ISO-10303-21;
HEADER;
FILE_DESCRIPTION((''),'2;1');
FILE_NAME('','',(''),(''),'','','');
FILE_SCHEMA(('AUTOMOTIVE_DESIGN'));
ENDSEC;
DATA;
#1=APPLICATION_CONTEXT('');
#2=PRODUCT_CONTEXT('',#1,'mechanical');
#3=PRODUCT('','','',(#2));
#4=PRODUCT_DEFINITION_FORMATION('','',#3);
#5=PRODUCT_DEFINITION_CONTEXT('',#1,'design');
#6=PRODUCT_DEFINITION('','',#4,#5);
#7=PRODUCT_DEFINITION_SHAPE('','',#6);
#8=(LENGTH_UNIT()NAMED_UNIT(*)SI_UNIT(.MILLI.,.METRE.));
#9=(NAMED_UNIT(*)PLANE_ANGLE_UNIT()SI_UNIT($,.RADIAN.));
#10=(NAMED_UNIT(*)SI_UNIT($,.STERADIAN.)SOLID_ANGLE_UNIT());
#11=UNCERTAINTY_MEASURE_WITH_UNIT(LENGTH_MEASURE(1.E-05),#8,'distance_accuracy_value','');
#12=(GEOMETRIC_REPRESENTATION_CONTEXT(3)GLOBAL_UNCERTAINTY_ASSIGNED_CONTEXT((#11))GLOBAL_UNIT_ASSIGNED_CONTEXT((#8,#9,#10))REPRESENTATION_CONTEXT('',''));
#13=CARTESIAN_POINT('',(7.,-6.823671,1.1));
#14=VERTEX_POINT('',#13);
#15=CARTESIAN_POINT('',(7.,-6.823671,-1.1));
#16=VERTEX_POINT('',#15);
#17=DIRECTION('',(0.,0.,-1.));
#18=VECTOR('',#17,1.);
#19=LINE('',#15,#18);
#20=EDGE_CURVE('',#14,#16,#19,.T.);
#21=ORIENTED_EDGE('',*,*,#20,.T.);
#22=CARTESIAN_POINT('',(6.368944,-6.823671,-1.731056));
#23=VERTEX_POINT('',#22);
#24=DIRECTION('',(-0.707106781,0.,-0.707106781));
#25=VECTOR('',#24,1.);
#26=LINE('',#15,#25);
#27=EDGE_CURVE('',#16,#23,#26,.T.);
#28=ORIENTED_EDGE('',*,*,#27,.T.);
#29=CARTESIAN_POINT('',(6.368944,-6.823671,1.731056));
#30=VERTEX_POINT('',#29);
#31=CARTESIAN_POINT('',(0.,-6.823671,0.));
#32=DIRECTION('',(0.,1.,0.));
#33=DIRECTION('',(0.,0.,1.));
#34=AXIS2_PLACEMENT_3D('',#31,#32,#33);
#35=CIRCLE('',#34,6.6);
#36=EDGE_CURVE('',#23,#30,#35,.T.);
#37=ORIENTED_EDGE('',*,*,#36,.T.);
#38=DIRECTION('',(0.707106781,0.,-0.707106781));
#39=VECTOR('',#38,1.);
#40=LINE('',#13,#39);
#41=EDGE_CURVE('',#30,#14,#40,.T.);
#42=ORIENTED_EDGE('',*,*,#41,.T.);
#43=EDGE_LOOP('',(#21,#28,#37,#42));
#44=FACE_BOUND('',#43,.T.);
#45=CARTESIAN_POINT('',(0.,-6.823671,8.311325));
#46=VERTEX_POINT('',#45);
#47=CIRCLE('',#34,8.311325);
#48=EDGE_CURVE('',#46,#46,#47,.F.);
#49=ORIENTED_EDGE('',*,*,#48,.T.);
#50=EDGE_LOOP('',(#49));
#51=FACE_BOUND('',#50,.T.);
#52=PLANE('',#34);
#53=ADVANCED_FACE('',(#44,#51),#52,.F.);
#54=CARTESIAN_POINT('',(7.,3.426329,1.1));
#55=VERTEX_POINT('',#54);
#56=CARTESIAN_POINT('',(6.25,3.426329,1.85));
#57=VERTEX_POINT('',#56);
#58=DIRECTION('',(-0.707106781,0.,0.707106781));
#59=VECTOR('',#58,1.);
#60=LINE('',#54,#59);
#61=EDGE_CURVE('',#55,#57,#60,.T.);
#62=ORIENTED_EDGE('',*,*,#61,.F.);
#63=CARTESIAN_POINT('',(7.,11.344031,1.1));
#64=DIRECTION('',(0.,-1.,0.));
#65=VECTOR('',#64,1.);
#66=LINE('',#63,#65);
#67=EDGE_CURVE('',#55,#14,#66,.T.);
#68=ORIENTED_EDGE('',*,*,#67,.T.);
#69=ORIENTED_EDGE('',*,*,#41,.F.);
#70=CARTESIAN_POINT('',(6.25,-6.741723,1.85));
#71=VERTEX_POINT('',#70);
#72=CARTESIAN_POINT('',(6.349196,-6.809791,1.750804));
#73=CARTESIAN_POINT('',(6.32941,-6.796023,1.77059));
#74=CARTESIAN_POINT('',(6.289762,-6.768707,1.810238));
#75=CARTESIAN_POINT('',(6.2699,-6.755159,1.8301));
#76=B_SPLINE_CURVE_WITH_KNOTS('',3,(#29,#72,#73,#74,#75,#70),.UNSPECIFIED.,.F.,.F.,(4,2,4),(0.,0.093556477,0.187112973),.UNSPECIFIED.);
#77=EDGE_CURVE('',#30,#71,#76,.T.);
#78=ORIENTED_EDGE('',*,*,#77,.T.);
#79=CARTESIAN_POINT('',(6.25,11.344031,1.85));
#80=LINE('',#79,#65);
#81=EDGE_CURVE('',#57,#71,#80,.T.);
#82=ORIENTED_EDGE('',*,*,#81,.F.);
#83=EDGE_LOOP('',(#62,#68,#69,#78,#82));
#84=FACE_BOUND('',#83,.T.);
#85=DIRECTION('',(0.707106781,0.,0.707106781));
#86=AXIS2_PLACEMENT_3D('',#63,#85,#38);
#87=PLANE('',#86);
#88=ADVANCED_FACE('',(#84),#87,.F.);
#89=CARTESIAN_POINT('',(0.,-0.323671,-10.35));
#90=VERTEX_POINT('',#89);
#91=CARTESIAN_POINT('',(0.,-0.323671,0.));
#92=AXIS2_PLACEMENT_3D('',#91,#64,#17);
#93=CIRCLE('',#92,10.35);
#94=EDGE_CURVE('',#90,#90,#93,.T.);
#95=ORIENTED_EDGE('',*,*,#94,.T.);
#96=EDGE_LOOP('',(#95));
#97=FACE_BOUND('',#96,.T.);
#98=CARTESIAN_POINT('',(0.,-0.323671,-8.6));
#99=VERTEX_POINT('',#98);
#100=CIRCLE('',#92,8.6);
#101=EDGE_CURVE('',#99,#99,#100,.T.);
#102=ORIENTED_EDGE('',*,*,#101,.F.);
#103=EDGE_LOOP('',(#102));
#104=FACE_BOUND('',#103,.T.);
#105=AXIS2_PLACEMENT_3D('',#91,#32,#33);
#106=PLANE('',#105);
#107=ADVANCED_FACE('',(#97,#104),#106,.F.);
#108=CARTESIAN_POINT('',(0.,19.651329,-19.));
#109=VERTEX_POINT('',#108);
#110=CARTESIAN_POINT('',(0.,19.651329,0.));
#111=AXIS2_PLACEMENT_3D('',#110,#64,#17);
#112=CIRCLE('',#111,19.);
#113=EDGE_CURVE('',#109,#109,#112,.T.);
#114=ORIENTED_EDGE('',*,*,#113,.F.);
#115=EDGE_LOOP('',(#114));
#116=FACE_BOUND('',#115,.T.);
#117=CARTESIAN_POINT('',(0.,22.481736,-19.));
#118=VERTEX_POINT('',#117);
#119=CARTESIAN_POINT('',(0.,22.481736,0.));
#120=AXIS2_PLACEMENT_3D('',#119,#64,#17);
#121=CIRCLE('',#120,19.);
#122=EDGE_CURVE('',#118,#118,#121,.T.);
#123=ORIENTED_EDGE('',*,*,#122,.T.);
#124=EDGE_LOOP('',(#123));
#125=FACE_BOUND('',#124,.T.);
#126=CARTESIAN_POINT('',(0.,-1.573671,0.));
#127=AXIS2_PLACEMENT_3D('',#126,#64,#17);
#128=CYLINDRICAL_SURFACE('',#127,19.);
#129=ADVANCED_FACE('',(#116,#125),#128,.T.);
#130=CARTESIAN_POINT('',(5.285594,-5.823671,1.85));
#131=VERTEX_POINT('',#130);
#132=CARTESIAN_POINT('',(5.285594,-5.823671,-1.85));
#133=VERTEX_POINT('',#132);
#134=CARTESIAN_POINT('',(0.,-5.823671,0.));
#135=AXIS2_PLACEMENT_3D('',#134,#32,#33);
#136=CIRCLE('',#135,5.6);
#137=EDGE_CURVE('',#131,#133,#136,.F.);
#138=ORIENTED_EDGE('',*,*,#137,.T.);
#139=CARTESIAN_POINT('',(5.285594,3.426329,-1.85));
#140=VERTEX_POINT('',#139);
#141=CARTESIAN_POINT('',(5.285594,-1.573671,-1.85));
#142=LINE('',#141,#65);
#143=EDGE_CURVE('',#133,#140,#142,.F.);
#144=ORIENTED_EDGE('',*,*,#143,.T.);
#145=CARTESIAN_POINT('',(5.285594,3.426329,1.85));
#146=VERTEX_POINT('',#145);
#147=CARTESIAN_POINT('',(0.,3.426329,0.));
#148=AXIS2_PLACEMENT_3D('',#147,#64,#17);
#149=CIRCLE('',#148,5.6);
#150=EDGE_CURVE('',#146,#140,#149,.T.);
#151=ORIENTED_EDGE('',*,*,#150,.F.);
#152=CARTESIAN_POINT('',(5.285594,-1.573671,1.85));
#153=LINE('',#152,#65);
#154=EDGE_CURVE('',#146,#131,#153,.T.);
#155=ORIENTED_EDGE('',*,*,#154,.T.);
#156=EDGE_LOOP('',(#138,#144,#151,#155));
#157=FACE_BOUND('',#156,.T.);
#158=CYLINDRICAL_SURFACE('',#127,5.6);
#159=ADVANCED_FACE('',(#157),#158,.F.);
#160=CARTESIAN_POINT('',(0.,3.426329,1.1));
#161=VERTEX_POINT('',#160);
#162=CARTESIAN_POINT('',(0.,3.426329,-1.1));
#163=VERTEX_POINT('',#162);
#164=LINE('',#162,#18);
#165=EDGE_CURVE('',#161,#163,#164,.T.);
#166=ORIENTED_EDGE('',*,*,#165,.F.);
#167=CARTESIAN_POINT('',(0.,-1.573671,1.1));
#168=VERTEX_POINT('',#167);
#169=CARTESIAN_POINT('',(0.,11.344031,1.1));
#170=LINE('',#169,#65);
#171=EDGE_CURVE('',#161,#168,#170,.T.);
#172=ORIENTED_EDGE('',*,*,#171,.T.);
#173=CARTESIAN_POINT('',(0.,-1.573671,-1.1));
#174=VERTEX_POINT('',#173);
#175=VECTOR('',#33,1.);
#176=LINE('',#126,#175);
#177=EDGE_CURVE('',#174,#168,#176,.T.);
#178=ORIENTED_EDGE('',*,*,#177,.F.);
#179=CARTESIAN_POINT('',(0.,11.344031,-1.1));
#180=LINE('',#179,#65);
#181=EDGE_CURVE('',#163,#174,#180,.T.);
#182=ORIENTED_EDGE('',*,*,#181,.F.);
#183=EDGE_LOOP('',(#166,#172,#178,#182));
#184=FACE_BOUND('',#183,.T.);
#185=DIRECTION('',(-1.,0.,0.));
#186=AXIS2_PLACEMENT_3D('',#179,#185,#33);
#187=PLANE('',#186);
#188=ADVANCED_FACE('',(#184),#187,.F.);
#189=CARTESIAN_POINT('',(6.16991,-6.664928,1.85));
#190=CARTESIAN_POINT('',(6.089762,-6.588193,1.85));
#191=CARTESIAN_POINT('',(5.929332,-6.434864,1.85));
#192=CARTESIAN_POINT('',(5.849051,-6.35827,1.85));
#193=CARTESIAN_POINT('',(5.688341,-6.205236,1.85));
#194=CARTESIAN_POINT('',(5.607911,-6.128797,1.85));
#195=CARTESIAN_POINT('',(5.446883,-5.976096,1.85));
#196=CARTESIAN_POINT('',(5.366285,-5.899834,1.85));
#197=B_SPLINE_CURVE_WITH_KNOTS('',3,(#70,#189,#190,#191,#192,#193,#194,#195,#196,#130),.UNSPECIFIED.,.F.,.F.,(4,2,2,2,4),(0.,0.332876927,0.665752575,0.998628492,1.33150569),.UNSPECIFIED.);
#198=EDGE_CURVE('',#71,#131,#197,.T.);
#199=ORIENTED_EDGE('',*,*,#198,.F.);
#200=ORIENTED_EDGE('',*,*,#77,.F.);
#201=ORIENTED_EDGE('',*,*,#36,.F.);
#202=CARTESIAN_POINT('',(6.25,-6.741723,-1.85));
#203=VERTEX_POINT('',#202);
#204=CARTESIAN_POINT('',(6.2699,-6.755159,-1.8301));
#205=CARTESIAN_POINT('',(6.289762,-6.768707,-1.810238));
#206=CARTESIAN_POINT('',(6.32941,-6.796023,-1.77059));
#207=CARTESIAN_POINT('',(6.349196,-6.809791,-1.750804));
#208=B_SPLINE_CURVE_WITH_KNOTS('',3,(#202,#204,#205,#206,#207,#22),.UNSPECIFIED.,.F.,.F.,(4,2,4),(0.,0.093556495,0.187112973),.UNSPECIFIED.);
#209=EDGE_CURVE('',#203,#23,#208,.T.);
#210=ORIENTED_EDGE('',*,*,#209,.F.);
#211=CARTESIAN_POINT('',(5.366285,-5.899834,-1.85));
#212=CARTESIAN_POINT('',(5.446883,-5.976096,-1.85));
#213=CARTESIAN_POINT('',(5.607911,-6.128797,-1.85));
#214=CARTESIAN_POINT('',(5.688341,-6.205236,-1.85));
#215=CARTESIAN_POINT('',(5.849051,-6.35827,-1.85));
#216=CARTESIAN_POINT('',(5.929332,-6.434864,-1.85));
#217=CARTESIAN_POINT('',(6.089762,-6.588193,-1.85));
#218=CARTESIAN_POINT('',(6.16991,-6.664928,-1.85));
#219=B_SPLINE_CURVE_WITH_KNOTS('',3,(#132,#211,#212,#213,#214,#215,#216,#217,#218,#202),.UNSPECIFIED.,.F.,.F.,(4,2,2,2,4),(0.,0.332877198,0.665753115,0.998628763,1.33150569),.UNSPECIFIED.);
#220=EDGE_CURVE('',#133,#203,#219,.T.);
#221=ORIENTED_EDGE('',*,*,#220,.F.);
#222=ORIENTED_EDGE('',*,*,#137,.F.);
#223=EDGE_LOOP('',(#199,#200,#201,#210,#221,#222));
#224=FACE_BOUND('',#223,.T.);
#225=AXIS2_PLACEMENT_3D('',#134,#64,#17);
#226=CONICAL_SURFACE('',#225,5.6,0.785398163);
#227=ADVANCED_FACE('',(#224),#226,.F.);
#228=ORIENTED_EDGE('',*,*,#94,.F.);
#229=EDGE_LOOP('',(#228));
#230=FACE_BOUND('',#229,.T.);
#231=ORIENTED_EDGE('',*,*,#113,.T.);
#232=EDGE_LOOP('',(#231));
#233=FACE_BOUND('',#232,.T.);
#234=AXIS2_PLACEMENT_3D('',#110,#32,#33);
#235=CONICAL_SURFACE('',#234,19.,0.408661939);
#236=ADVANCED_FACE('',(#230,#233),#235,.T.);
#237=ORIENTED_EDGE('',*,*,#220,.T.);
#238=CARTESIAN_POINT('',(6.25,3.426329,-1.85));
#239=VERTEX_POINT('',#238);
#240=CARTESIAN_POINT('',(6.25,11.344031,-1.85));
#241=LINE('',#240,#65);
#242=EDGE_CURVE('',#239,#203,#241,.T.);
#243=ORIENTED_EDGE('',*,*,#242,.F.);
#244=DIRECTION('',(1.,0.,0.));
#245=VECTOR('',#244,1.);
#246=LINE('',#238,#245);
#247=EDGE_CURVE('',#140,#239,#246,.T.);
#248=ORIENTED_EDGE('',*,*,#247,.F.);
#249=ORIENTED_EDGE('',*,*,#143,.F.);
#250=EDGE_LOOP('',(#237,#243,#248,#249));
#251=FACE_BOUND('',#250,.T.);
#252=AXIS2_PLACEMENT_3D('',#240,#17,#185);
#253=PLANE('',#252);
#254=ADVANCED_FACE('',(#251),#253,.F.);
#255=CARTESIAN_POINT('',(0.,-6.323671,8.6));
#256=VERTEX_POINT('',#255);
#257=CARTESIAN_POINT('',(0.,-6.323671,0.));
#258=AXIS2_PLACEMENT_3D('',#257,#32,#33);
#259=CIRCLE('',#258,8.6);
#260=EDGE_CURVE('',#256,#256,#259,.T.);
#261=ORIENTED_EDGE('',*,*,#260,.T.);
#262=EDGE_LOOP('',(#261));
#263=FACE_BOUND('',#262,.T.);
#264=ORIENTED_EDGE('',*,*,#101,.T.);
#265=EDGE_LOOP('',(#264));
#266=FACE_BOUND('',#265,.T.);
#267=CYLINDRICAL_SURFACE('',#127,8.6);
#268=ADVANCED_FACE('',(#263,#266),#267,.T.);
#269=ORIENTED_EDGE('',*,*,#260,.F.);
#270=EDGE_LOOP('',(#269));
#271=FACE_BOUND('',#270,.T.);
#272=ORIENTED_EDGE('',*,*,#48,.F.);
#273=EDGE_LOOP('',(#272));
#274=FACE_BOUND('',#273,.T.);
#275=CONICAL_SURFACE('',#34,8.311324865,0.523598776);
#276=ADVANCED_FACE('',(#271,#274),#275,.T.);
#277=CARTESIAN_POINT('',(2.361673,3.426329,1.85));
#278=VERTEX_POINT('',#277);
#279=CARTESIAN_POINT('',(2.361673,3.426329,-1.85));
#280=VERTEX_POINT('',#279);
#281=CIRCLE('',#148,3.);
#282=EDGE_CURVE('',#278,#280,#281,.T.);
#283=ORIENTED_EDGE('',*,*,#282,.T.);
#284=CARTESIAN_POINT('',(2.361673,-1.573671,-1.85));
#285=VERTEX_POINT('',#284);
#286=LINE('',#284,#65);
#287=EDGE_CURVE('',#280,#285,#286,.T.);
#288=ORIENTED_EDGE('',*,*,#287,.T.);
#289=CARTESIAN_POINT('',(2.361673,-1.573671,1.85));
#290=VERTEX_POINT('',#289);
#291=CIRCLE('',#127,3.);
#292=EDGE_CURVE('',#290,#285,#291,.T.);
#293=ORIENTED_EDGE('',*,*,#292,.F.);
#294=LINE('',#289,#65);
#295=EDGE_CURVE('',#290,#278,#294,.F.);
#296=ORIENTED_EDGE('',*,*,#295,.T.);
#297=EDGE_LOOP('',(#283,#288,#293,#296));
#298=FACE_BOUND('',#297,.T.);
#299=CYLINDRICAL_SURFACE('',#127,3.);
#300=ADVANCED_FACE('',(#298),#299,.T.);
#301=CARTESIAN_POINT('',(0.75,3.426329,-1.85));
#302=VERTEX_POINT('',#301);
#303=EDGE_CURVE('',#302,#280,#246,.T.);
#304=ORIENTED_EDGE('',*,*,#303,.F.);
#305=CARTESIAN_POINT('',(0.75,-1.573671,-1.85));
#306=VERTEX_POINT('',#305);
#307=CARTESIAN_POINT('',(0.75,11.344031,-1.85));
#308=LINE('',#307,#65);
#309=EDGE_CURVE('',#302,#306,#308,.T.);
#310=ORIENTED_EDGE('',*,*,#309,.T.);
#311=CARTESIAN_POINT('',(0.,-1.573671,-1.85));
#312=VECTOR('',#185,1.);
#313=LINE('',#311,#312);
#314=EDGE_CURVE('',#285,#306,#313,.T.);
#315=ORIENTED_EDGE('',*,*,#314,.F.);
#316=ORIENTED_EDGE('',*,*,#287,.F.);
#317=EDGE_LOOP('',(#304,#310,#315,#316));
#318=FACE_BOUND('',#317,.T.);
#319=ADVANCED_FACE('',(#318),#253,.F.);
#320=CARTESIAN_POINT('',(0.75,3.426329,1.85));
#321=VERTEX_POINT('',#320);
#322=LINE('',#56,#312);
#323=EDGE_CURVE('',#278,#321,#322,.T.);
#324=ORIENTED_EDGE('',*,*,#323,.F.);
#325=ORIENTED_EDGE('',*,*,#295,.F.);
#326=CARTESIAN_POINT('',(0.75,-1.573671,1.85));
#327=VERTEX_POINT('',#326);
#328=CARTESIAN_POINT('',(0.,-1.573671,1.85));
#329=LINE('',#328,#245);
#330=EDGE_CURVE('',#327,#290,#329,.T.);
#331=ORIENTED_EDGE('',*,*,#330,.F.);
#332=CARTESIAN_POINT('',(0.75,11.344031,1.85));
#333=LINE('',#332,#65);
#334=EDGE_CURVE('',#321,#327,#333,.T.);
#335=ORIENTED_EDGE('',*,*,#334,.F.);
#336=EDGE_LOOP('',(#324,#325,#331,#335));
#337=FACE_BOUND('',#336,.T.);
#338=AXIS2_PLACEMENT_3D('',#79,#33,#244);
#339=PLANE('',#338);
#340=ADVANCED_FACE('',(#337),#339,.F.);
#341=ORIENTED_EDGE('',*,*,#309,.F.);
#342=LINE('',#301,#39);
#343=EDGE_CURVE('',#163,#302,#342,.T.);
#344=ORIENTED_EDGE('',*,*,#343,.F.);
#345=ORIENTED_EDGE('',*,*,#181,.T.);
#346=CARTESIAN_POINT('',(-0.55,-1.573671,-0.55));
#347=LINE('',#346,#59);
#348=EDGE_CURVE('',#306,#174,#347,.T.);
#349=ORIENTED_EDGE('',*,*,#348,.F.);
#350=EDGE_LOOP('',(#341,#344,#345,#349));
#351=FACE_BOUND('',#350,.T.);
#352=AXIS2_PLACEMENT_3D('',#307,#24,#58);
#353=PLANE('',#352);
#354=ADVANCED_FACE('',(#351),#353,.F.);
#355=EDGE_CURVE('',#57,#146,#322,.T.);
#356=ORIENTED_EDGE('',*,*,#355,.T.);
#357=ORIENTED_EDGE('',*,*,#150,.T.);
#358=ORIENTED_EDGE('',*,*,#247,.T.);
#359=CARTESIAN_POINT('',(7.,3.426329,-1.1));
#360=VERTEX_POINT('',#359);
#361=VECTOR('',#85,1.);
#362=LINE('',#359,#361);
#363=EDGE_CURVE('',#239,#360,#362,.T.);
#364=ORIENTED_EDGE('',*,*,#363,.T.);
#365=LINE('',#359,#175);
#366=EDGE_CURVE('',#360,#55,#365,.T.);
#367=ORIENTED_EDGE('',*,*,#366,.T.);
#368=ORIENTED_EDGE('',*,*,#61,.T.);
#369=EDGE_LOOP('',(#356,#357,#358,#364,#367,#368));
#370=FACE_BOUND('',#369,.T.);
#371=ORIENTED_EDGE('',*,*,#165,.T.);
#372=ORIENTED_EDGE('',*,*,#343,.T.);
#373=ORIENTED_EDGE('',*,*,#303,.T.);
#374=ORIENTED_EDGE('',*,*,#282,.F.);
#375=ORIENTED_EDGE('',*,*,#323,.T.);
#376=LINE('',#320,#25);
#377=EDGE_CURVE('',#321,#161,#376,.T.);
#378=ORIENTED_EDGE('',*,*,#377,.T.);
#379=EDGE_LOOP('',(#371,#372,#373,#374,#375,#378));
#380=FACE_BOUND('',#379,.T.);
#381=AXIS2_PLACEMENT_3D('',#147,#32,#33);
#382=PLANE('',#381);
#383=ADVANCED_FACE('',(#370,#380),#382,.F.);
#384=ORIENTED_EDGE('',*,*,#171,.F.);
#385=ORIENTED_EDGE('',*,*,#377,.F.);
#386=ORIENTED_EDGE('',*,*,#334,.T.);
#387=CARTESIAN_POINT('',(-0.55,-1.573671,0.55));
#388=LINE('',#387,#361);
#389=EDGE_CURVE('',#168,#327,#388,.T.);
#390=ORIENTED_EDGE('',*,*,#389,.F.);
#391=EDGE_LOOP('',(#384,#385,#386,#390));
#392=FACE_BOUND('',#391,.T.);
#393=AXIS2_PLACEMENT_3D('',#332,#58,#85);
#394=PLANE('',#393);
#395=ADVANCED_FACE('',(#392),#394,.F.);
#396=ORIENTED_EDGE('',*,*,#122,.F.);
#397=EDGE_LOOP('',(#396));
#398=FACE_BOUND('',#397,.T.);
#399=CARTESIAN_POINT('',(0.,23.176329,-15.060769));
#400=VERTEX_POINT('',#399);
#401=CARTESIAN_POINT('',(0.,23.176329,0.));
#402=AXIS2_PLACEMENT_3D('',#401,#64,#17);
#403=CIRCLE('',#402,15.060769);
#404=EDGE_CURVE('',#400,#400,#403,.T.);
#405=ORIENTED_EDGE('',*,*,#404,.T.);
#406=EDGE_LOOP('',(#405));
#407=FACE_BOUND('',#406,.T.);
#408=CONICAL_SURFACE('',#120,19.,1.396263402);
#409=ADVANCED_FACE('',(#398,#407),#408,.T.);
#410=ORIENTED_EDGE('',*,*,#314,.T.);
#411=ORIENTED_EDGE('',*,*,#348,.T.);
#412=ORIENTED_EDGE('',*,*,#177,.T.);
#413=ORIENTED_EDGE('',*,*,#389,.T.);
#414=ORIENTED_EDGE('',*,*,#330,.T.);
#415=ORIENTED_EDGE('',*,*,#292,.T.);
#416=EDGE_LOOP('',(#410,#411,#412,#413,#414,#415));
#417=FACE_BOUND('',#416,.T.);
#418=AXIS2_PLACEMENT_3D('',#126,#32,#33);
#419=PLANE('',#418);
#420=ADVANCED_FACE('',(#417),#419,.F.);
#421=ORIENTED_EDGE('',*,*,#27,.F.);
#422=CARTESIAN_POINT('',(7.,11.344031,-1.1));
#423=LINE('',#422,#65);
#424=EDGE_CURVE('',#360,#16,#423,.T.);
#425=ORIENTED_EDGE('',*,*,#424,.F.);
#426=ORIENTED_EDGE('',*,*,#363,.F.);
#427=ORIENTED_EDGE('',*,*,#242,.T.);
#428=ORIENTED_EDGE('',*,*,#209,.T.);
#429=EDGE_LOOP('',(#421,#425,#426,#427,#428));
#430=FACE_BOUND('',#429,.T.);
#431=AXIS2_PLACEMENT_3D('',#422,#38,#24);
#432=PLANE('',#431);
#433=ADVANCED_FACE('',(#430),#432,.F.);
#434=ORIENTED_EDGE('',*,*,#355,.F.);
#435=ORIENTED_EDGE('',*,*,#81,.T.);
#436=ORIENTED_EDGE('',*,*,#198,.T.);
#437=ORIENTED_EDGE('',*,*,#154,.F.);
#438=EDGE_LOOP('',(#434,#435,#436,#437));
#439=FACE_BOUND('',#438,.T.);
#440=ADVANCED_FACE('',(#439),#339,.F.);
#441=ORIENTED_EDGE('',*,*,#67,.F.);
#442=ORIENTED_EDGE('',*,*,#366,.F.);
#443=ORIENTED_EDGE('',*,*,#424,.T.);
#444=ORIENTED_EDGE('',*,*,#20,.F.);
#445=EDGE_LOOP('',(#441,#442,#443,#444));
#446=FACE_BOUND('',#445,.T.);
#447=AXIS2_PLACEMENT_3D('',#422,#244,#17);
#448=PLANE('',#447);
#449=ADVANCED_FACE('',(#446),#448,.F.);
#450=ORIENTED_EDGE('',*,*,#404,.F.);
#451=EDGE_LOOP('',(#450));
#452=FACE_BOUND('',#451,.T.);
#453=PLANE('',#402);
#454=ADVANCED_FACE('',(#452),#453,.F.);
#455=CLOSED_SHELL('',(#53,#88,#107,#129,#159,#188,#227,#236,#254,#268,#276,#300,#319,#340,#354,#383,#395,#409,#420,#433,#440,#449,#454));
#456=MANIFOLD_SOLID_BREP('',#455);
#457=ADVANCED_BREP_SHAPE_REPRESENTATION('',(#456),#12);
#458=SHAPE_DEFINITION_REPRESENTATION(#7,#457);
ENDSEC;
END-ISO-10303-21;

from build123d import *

# Parameters (mm, degrees)
CUT_EXTRUDE1_REACH             = 38.532
CUT_EXTRUDE1_DIRECTION_2_REACH = 38.532
CHAMFER1_SIZE                  = 1
CHAMFER2_SIZE                  = 0.5
CHAMFER2_SIZE2                 = 0.288675135


with BuildPart() as part:
    # Sketch1 → Revolve1 (revolve)
    with BuildSketch(Plane.XY, mode=Mode.PRIVATE) as revolve1_sk:
        Polygon((-15.060768988, 23.176328976), (-19, 22.481736265), (-19, 19.651328976), (-10.35, -0.323671024), (-8.6, -0.323671024), (-8.6, -6.823671024), (-5.6, -6.823671024), (-5.6, 3.426328976), (-3, 3.426328976), (-3, -1.573671024), (0, -1.573671024), (0, 23.176328976), align=None)
    revolve(revolve1_sk.sketch.rotate(Axis((0, -1.573671024, 0), (0, 1, 0)), 270), axis=Axis((0, -1.573671024, 0), (0, 1, 0)))

    # Cut-Extrude1: up to this face of the body (flat: up to its plane)
    cut_extrude1_end = Plane(part.part.faces().sort_by_distance((0, 3.426328976, 5.441608081))[0])
    # Sketch3 → Cut-Extrude1 (cut, up to the picked face)
    with BuildSketch(Plane.XZ.offset(1.573671024), mode=Mode.PRIVATE) as cut_extrude1_sk1:
        Polygon((0.75, 1.85), (0, 1.1), (0, -1.1), (0.75, -1.85), (6.25, -1.85), (7, -1.1), (7, 1.1), (6.25, 1.85), align=None)
    cut_extrude1_tool1 = split(extrude(cut_extrude1_sk1.sketch, amount=-CUT_EXTRUDE1_REACH, mode=Mode.PRIVATE), bisect_by=cut_extrude1_end, keep=Keep.BOTH, mode=Mode.PRIVATE)
    add(cut_extrude1_tool1.solids().sort_by(Axis((3.5, -1.573671, 0), (0, 1, 0)))[0], mode=Mode.SUBTRACT)

    # Cut-Extrude1 direction 2: up to this face of the body (flat: up to its plane)
    cut_extrude1_direction_2_end = Plane(part.part.faces().sort_by_distance((0, -6.823671024, 8.356755267))[0])
    # Sketch3 → Cut-Extrude1 direction 2 (cut, up to the picked face)
    with BuildSketch(Plane.XZ.offset(1.573671024), mode=Mode.PRIVATE) as cut_extrude1_direction_2_sk1:
        Polygon((0.75, 1.85), (0, 1.1), (0, -1.1), (0.75, -1.85), (6.25, -1.85), (7, -1.1), (7, 1.1), (6.25, 1.85), align=None)
    cut_extrude1_direction_2_tool1 = split(extrude(cut_extrude1_direction_2_sk1.sketch, amount=CUT_EXTRUDE1_DIRECTION_2_REACH, mode=Mode.PRIVATE), bisect_by=cut_extrude1_direction_2_end, keep=Keep.BOTH, mode=Mode.PRIVATE)
    add(cut_extrude1_direction_2_tool1.solids().sort_by(Axis((3.5, -1.573671, 0), (0, -1, 0)))[0], mode=Mode.SUBTRACT)

    # Chamfer1
    chamfer1_edges = [part.edges().sort_by_distance(p)[0] for p in [
        (-5.6, -6.823671024, 0),
    ]]
    chamfer(chamfer1_edges, length=CHAMFER1_SIZE)

    # Chamfer2
    chamfer2_edges = [part.edges().sort_by_distance(p)[0] for p in [
        (0, -6.823671024, 8.6),
    ]]
    chamfer2_side = [part.faces().sort_by_distance(p)[0] for p in [
        (0, -3.573671024, 8.6),
    ]]
    chamfer(chamfer2_edges, length=CHAMFER2_SIZE, length2=CHAMFER2_SIZE2, reference=chamfer2_side[0])


solid = part.part
